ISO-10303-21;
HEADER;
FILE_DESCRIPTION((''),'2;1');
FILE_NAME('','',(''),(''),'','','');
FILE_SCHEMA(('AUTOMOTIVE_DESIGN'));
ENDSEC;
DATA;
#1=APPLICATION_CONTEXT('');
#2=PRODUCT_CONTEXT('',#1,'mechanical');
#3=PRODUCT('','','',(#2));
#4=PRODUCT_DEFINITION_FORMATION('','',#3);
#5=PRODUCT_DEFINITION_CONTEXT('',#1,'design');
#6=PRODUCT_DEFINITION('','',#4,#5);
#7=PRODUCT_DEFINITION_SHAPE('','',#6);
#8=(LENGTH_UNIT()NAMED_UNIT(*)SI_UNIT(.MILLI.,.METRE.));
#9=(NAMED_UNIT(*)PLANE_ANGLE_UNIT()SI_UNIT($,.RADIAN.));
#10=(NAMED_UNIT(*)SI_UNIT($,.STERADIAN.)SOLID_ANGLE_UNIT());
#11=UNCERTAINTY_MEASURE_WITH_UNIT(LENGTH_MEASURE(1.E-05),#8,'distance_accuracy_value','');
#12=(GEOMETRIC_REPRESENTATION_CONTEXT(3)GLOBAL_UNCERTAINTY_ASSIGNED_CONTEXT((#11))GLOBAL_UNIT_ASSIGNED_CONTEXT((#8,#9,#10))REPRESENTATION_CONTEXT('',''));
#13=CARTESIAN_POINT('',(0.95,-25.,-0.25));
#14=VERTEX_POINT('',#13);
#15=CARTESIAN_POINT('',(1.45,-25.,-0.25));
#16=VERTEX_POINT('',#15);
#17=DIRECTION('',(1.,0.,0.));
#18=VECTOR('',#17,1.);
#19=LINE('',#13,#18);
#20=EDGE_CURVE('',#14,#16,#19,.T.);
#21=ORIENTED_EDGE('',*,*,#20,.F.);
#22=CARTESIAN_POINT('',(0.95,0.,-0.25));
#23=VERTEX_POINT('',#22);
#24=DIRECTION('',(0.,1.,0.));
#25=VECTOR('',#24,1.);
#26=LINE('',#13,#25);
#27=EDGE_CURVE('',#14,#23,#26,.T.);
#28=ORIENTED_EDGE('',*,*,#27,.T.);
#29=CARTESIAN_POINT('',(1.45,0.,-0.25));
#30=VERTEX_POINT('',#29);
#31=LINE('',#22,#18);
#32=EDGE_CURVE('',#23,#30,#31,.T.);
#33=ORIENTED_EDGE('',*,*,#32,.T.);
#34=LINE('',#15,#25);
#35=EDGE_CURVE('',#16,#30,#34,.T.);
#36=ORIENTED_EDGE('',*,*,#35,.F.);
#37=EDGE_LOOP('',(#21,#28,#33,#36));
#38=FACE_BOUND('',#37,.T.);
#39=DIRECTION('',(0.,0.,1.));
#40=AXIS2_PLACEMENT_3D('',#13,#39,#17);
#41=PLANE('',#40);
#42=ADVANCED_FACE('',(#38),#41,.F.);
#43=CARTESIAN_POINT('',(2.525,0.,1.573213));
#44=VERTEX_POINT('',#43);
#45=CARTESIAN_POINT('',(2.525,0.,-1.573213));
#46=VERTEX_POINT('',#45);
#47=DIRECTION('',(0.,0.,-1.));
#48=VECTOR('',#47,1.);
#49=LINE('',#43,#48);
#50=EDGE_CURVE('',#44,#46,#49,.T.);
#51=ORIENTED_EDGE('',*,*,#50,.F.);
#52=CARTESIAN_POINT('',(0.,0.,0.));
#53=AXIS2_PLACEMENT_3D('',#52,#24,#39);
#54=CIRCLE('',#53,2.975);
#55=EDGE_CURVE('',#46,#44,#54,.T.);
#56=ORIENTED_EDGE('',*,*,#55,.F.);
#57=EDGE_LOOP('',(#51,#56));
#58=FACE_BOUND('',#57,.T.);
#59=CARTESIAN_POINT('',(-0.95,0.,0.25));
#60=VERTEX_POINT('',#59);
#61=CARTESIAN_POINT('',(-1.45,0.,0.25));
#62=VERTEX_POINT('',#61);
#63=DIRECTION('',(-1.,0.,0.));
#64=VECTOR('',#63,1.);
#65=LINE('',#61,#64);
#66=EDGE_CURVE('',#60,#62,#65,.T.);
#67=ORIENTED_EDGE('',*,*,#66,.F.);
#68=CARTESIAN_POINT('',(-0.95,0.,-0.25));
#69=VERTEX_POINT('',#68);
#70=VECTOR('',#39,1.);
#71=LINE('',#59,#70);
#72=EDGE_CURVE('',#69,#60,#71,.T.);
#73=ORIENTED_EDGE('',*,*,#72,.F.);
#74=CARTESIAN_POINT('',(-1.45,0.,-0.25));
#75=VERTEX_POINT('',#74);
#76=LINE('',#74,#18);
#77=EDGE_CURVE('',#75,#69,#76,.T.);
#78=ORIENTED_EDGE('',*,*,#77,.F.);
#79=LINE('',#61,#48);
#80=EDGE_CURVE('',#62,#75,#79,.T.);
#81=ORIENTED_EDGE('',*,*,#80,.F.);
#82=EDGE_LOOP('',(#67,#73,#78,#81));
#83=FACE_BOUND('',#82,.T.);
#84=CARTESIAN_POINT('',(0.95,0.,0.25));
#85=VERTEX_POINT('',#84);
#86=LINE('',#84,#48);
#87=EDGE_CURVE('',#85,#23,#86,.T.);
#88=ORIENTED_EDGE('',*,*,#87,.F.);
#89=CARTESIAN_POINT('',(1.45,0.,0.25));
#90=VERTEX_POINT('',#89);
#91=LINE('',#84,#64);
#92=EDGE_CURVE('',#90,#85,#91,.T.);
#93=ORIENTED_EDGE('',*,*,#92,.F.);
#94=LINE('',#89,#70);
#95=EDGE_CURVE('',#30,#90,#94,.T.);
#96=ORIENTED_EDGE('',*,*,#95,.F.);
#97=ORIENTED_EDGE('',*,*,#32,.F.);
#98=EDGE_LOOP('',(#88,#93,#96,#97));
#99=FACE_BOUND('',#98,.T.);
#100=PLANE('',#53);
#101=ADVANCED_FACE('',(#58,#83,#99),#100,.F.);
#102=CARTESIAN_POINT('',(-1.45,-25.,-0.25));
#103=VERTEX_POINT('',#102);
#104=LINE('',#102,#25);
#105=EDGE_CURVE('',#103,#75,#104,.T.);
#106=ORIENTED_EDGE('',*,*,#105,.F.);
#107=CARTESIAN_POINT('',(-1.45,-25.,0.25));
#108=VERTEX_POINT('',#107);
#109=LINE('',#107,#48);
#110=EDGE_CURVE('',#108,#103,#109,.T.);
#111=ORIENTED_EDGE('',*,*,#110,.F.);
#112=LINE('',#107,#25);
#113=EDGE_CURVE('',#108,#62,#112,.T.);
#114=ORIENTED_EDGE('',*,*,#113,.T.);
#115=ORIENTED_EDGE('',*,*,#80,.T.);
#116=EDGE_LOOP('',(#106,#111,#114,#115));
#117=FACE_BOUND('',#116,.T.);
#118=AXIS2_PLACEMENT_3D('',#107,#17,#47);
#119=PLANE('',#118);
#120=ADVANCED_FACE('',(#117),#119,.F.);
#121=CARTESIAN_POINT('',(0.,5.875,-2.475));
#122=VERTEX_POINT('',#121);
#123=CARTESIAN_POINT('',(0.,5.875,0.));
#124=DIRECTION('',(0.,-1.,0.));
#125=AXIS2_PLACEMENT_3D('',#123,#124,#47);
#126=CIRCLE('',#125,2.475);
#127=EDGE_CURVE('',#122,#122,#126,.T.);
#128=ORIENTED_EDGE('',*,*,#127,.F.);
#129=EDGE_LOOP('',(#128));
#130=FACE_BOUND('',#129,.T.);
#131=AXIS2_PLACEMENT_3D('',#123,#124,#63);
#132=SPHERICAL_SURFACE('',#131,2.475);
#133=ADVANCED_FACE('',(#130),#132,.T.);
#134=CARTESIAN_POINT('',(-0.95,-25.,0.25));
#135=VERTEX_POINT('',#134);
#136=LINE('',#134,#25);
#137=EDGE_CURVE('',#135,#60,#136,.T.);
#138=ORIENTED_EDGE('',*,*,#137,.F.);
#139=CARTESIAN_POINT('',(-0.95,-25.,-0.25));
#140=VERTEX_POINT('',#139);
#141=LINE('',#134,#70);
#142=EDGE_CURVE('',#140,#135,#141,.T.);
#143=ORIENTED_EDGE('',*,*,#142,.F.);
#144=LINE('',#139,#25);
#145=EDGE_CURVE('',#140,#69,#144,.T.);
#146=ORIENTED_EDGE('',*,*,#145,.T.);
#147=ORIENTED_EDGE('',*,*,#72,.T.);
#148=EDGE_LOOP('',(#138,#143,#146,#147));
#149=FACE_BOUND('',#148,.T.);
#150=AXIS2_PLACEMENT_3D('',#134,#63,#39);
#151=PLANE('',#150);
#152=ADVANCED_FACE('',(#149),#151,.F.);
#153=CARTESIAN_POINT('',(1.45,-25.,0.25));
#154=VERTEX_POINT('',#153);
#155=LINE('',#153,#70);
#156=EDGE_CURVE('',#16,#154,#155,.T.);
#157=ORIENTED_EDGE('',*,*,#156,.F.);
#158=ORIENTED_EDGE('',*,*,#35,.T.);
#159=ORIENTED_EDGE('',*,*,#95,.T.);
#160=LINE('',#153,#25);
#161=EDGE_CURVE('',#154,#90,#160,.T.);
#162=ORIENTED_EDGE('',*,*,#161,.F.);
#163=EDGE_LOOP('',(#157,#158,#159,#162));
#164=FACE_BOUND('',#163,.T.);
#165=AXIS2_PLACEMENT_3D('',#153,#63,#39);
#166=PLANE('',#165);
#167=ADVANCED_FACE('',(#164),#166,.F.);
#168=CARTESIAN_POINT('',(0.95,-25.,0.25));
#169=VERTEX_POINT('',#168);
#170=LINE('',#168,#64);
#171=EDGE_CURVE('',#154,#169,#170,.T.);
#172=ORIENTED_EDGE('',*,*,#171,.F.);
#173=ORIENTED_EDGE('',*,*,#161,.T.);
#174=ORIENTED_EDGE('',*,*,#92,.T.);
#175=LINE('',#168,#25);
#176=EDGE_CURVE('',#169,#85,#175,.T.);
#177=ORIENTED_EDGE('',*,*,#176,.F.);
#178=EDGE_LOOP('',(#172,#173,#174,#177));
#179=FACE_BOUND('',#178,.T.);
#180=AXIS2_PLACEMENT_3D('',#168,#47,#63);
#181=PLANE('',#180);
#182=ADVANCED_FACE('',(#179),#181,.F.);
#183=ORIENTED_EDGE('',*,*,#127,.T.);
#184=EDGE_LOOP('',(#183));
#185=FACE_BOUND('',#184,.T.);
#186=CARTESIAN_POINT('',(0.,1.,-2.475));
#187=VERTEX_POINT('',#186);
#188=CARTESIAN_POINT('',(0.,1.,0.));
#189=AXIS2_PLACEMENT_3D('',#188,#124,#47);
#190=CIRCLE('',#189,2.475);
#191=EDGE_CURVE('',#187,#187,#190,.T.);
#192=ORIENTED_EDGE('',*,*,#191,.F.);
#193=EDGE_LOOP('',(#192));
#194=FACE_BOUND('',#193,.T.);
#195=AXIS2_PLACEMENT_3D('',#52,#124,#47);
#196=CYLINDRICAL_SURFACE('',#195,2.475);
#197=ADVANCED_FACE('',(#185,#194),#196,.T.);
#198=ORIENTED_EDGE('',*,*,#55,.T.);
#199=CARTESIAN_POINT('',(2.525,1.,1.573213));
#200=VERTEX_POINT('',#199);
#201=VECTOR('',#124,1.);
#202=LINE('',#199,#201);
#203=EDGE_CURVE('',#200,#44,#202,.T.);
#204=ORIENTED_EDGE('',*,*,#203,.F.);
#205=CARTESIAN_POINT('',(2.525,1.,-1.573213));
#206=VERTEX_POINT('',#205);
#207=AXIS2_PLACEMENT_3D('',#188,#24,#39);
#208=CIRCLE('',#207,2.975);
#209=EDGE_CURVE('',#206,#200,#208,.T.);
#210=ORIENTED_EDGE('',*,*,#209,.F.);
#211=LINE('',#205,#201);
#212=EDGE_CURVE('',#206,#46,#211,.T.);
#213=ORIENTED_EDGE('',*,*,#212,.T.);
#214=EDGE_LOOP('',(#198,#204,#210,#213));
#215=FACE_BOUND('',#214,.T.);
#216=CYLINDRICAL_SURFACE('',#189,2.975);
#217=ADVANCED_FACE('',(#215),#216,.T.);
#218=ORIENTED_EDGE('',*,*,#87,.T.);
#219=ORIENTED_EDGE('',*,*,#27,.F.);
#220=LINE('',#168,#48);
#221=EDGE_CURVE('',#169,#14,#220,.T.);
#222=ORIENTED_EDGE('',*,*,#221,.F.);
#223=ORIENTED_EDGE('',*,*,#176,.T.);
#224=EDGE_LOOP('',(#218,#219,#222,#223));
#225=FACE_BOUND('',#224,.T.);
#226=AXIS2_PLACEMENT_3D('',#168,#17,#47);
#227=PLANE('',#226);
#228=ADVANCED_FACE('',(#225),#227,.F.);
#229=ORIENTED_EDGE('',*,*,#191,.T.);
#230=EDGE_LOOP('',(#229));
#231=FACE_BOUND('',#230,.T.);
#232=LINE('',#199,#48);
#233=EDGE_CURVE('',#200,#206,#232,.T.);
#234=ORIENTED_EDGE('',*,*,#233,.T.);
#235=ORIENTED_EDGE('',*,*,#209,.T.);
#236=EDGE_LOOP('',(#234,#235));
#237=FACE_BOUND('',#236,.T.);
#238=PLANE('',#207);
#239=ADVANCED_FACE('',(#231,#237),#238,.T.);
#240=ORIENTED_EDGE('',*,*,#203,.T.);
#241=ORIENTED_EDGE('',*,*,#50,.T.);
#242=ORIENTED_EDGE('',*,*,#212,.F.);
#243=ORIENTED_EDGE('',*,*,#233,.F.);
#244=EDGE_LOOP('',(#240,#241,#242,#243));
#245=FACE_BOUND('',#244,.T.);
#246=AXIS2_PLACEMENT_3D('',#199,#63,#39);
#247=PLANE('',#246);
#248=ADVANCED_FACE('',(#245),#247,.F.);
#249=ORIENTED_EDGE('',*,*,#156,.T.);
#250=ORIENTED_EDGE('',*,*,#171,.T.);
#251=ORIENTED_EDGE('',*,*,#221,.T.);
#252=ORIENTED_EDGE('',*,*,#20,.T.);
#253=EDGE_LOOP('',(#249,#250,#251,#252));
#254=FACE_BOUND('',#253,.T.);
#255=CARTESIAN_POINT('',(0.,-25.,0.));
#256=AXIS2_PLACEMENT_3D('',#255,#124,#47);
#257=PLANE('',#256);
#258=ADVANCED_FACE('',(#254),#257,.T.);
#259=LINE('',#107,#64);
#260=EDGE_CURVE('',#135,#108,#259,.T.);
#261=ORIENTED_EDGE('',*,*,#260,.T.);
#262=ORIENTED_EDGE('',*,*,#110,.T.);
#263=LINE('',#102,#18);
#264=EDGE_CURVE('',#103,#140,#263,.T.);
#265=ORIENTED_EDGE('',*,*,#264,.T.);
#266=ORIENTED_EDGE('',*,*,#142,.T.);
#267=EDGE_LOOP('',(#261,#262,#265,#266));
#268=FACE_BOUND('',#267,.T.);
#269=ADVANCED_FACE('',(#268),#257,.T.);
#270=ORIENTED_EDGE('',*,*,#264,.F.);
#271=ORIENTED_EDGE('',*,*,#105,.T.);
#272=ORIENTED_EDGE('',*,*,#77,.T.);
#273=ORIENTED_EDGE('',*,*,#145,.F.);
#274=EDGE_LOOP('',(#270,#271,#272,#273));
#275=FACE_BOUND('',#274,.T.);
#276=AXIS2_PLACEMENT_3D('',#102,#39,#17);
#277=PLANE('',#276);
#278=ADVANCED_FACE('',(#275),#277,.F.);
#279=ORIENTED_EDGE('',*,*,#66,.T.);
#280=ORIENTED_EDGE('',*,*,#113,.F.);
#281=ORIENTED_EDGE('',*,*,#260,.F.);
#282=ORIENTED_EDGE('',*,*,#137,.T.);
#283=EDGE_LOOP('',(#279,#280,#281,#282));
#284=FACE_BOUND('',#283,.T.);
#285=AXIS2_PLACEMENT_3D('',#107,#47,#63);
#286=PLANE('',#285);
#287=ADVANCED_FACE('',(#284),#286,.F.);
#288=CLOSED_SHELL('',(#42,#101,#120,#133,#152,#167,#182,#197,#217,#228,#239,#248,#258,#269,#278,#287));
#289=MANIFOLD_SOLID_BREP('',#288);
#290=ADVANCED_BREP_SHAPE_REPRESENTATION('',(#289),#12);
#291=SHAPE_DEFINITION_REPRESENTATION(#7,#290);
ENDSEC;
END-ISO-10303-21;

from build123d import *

# Parameters (mm, degrees)
BOSS_EXTRUDE1_DEPTH = 1
SKETCH5_W           = 0.5
SKETCH5_H           = 0.5
BOSS_EXTRUDE2_DEPTH = 25


with BuildPart() as part:
    # Sketch1 → Boss-Extrude1 (new body)
    with BuildSketch(Plane(origin=(0, 0, 0), x_dir=(1, 0, 0), z_dir=(0, 1, 0))):
        with BuildLine():
            Line((2.525, -1.573213272), (2.525, 1.573213272))
            ThreePointArc((2.525, 1.573213272), (-2.975, 0), (2.525, -1.573213272))
        make_face()
    extrude(amount=BOSS_EXTRUDE1_DEPTH)

    # Sketch4 → Revolve1 (revolve)
    with BuildSketch(Plane.XY):
        with BuildLine():
            Line((-2.475, 1), (-2.475, 5.875))
            ThreePointArc((-2.475, 5.875), (-1.750089283, 7.625089283), (0, 8.35))
            Line((0, 8.35), (0, 1))
            Line((0, 1), (-2.475, 1))
        make_face()
    revolve(axis=Axis((0, 0, 0), (0, 1, 0)))

    # Sketch5 → Boss-Extrude2 (add)
    with BuildSketch(Plane(origin=(0, 0, 0), x_dir=(-1, 0, 0), z_dir=(0, -1, 0))):
        with Locations((-1.2, 0)):
            Rectangle(SKETCH5_W, SKETCH5_H)
        with Locations((1.2, 0)):
            Rectangle(SKETCH5_W, SKETCH5_H)
    extrude(amount=BOSS_EXTRUDE2_DEPTH)


solid = part.part
